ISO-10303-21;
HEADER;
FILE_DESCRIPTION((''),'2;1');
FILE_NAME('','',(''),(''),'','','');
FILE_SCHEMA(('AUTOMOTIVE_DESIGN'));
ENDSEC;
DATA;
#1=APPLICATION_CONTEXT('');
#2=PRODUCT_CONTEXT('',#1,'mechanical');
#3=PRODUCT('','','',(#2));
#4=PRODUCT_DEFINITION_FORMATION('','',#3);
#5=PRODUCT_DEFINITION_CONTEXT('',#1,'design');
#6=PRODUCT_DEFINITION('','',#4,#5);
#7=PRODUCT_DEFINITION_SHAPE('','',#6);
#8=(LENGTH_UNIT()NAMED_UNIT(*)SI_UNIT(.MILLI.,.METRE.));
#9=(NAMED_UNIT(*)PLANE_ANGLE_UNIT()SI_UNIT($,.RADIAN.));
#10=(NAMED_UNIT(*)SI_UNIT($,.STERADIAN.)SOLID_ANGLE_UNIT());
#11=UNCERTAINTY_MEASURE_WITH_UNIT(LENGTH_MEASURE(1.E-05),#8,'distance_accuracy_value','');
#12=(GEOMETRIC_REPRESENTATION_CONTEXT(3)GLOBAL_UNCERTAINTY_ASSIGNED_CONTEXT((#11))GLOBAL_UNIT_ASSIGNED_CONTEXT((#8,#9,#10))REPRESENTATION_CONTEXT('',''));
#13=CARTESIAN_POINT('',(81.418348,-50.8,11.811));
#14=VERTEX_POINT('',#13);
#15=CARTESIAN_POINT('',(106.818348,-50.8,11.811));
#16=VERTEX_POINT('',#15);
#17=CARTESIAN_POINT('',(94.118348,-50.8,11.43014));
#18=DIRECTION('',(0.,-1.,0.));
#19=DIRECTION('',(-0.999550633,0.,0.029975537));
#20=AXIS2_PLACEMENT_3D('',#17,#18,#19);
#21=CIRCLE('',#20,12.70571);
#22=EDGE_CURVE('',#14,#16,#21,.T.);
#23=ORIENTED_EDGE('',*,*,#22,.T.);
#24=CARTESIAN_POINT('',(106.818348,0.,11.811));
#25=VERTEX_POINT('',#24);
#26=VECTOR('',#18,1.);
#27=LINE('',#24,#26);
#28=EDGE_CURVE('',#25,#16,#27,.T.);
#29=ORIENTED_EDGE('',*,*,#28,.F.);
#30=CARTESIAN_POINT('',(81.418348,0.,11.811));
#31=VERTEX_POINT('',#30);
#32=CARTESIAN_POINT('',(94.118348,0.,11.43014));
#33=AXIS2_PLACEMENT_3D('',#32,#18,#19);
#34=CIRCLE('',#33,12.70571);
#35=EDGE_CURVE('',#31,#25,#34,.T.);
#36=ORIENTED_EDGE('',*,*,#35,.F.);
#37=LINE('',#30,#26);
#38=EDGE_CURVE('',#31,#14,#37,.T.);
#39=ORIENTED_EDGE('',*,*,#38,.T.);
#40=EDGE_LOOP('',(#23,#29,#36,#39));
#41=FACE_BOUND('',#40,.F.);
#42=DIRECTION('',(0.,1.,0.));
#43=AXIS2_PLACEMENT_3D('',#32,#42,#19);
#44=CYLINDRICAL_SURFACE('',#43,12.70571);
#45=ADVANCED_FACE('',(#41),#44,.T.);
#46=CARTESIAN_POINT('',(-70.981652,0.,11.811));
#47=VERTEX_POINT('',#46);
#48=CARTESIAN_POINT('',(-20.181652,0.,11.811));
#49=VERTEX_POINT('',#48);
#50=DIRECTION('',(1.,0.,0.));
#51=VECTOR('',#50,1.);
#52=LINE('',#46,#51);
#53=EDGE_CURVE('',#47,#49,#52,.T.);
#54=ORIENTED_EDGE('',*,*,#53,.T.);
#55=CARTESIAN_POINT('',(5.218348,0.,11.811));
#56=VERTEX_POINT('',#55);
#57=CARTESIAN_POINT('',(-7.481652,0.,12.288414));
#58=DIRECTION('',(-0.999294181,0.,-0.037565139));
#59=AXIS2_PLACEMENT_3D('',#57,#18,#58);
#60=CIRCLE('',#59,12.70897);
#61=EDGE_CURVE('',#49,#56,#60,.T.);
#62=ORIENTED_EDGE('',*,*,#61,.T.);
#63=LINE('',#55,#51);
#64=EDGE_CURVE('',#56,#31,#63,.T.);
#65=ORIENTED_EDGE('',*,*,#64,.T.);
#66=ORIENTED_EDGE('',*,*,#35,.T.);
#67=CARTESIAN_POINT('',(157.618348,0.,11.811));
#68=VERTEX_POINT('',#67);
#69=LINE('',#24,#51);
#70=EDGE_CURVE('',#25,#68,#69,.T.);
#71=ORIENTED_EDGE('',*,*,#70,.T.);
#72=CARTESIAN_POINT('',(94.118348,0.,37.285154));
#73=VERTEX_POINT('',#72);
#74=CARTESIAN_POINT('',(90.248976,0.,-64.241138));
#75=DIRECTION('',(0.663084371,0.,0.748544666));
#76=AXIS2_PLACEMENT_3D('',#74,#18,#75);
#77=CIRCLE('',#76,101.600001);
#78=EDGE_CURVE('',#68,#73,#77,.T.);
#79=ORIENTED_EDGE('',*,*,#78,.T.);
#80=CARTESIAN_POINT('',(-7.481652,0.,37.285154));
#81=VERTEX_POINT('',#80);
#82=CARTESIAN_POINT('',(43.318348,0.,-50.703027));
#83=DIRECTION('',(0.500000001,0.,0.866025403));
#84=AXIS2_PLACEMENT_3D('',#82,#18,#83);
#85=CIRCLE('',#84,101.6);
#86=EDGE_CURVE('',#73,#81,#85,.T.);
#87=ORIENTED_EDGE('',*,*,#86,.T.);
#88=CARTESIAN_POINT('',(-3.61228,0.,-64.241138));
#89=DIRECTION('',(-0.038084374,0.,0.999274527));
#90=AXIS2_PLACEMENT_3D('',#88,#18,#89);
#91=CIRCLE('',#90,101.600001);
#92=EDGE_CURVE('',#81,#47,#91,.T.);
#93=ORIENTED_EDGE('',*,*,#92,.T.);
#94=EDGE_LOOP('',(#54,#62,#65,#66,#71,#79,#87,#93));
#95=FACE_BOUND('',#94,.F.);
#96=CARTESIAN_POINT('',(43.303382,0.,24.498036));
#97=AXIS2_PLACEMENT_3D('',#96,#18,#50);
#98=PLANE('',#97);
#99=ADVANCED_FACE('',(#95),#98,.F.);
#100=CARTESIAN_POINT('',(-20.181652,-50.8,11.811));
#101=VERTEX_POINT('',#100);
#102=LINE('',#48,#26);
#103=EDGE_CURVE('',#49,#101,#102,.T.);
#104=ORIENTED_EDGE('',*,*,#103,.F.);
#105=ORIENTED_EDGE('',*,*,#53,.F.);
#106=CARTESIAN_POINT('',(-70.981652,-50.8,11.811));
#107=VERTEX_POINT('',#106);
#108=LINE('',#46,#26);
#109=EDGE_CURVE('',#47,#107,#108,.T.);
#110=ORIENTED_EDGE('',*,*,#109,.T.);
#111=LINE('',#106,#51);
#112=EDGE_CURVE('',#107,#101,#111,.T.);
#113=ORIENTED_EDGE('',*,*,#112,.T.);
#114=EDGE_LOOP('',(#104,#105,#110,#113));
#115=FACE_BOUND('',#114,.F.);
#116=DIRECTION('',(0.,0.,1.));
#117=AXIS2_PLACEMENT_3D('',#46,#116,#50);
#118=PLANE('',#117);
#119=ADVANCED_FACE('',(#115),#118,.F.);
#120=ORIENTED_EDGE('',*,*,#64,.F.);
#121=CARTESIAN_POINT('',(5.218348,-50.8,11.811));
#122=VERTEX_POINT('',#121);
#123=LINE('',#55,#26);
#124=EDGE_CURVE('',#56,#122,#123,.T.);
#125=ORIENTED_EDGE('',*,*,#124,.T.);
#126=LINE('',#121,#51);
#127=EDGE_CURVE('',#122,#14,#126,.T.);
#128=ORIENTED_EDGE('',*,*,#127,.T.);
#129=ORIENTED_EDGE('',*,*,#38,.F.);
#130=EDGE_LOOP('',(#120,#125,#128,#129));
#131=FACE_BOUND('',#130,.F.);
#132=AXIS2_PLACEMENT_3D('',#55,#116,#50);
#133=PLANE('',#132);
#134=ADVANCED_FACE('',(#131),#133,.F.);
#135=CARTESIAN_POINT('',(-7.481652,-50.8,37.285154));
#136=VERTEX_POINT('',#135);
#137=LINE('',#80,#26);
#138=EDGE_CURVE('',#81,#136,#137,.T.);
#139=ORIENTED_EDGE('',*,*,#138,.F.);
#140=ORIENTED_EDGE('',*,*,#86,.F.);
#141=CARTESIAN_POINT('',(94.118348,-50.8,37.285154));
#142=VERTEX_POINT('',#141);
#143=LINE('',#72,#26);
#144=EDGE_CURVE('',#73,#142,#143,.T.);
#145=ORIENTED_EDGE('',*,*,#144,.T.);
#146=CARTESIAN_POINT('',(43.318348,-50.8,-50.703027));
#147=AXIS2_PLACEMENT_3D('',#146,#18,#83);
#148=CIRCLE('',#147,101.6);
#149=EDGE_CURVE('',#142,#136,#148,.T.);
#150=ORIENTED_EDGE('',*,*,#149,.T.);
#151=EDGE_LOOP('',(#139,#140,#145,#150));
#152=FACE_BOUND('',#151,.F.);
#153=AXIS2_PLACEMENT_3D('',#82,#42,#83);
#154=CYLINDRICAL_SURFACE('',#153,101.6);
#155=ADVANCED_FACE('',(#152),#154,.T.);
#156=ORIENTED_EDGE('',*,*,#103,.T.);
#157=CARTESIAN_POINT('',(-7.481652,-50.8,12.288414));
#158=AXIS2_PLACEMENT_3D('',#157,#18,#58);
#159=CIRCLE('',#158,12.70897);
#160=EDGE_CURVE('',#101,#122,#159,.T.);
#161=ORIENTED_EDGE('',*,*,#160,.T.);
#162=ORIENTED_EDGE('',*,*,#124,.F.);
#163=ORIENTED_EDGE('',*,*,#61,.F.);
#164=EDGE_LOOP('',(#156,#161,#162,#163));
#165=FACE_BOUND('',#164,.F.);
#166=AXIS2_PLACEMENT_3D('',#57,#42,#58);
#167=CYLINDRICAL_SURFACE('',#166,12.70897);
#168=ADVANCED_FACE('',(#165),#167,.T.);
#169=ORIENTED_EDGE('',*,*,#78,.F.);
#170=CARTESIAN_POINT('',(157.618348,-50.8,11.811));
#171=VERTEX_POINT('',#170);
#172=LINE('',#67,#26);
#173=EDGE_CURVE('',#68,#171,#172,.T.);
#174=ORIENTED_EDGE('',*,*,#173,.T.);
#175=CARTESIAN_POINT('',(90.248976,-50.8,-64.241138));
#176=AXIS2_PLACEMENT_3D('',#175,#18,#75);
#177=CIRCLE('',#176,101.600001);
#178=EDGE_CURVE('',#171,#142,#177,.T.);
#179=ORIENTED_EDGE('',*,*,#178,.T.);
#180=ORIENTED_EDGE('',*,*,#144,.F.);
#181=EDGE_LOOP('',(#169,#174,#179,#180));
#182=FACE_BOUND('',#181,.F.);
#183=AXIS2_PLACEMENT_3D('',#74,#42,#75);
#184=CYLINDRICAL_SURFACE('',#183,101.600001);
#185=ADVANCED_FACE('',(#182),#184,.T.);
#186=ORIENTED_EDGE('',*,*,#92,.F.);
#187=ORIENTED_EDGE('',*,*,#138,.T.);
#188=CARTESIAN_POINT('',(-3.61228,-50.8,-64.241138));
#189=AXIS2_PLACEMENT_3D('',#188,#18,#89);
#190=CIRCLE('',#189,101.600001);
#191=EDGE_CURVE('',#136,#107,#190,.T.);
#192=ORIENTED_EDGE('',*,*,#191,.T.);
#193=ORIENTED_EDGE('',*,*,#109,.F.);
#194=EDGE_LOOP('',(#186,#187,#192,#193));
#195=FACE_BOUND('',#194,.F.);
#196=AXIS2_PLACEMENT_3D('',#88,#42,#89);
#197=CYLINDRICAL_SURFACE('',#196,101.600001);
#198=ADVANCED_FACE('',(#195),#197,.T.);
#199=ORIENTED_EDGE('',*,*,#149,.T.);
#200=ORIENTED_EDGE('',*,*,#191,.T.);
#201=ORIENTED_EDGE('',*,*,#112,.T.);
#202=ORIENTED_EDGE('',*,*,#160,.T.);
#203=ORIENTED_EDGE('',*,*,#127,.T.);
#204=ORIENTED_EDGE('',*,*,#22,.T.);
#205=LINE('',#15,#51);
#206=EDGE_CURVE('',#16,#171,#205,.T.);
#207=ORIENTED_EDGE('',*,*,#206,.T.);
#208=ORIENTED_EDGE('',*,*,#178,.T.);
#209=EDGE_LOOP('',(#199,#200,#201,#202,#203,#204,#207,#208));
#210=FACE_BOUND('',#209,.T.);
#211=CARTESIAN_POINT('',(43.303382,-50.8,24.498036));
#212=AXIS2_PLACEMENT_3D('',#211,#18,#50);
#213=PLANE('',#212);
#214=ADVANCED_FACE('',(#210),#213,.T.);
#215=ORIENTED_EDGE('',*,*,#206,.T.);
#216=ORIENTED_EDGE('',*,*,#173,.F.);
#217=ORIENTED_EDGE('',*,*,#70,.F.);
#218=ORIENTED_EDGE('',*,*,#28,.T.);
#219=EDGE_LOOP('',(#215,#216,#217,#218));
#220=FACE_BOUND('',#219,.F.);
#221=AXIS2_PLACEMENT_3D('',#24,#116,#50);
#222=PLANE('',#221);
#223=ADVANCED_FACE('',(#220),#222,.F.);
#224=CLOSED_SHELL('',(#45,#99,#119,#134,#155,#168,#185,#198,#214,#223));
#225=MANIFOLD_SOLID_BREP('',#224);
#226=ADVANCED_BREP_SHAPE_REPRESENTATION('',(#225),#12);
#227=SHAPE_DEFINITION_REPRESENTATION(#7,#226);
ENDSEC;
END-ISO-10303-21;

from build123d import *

# Parameters (mm, degrees)
F1_DEPTH = 50.8


with BuildPart() as f1:
    # F0 (on Front) → F1 (new body)
    with BuildSketch(Plane.XZ):
        with BuildLine():
            ThreePointArc((-7.481652, 37.285154), (-41.440481, 30.054075), (-70.981652, 11.811))
            Line((-70.981652, 11.811), (-20.181652, 11.811))
            ThreePointArc((-20.181652, 11.811), (-7.481652, 24.455001), (5.218348, 11.811))
            Line((5.218348, 11.811), (81.418348, 11.811))
            ThreePointArc((81.418348, 11.811), (94.118348, 24.369807), (106.818348, 11.811))
            Line((106.818348, 11.811), (157.618348, 11.811))
            ThreePointArc((157.618348, 11.811), (128.077177, 30.054075), (94.118348, 37.285154))
            ThreePointArc((94.118348, 37.285154), (43.318348, 50.896973), (-7.481652, 37.285154))
        make_face()
        with BuildLine():
            ThreePointArc((5.218348, 11.811), (-7.481652, 24.455001), (-20.181652, 11.811))
            ThreePointArc((-20.181652, 11.811), (-7.481652, -0.420556), (5.218348, 11.811))
        make_face()
        with BuildLine():
            ThreePointArc((106.818348, 11.811), (94.118348, 24.369807), (81.418348, 11.811))
            ThreePointArc((81.418348, 11.811), (94.118348, -1.27557), (106.818348, 11.811))
        make_face()
    extrude(amount=F1_DEPTH)


solid = f1.part
